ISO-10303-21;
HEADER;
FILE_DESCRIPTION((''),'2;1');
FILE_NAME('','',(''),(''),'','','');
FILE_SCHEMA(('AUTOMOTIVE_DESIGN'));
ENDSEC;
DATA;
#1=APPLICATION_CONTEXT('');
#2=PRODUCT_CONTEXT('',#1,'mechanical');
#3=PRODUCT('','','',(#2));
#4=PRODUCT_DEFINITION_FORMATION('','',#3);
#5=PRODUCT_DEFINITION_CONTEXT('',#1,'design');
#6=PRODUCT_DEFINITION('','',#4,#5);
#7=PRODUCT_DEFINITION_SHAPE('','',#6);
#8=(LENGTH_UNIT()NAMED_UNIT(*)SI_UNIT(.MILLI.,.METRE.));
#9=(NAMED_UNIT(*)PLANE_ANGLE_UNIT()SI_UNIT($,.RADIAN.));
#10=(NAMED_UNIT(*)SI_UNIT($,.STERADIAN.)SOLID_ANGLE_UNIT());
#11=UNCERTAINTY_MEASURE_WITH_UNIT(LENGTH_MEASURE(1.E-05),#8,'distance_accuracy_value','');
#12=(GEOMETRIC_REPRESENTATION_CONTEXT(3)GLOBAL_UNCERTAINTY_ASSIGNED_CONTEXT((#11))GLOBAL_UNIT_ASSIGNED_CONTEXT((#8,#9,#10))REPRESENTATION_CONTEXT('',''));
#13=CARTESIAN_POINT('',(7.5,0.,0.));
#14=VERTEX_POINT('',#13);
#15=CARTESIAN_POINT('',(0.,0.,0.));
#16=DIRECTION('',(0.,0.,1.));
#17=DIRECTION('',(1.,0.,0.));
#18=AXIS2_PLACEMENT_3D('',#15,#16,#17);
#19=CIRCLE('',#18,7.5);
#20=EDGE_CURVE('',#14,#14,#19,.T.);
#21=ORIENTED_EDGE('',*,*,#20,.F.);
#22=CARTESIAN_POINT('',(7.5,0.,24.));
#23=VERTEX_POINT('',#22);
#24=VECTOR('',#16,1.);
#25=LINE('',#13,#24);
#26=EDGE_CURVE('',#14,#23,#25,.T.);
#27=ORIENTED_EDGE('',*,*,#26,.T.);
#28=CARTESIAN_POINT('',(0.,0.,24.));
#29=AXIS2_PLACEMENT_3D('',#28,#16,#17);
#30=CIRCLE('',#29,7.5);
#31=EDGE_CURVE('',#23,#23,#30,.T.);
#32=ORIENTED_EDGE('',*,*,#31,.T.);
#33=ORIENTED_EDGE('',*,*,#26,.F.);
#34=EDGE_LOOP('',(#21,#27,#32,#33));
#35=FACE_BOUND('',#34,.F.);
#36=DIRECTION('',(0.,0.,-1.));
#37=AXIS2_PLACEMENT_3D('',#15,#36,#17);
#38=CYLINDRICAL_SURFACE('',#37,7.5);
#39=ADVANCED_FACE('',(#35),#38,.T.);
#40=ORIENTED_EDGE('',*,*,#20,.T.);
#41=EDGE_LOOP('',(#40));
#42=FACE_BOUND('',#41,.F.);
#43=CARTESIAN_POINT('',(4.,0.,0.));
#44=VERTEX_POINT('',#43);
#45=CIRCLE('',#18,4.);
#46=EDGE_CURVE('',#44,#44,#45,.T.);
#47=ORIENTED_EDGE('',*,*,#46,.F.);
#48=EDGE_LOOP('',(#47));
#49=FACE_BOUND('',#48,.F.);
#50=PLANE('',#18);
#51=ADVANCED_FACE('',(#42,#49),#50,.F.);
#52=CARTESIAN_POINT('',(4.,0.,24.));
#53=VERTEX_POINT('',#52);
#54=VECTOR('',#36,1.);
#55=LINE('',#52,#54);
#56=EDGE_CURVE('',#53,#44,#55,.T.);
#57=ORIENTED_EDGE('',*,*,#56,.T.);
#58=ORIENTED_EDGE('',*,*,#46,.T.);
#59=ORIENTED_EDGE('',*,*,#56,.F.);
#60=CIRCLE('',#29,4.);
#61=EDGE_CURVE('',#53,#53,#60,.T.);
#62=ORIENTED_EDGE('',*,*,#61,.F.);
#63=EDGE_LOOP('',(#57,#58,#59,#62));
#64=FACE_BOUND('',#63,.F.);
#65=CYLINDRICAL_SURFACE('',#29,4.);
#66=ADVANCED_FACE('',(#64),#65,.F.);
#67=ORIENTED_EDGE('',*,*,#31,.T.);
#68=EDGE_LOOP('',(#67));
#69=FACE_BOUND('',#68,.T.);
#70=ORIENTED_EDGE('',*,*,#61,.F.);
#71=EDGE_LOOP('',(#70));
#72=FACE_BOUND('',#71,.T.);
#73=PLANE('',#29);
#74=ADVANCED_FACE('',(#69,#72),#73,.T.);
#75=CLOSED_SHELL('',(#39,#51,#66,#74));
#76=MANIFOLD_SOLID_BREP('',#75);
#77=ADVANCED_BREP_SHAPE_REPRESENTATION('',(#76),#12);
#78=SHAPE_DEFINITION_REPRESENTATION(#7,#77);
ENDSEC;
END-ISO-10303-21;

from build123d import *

# Parameters (mm, degrees)
SKETCH1_R           = 7.5
BOSS_EXTRUDE1_DEPTH = 24
SKETCH2_R           = 4
CUT_EXTRUDE1_DEPTH  = 24


with BuildPart() as part:
    # Sketch1 → Boss-Extrude1 (new body)
    with BuildSketch(Plane.XY):
        Circle(SKETCH1_R)
    extrude(amount=BOSS_EXTRUDE1_DEPTH)

    # Sketch2 → Cut-Extrude1 (cut)
    with BuildSketch(Plane.XY.offset(24)):
        Circle(SKETCH2_R)
    extrude(amount=-CUT_EXTRUDE1_DEPTH, mode=Mode.SUBTRACT)


solid = part.part
